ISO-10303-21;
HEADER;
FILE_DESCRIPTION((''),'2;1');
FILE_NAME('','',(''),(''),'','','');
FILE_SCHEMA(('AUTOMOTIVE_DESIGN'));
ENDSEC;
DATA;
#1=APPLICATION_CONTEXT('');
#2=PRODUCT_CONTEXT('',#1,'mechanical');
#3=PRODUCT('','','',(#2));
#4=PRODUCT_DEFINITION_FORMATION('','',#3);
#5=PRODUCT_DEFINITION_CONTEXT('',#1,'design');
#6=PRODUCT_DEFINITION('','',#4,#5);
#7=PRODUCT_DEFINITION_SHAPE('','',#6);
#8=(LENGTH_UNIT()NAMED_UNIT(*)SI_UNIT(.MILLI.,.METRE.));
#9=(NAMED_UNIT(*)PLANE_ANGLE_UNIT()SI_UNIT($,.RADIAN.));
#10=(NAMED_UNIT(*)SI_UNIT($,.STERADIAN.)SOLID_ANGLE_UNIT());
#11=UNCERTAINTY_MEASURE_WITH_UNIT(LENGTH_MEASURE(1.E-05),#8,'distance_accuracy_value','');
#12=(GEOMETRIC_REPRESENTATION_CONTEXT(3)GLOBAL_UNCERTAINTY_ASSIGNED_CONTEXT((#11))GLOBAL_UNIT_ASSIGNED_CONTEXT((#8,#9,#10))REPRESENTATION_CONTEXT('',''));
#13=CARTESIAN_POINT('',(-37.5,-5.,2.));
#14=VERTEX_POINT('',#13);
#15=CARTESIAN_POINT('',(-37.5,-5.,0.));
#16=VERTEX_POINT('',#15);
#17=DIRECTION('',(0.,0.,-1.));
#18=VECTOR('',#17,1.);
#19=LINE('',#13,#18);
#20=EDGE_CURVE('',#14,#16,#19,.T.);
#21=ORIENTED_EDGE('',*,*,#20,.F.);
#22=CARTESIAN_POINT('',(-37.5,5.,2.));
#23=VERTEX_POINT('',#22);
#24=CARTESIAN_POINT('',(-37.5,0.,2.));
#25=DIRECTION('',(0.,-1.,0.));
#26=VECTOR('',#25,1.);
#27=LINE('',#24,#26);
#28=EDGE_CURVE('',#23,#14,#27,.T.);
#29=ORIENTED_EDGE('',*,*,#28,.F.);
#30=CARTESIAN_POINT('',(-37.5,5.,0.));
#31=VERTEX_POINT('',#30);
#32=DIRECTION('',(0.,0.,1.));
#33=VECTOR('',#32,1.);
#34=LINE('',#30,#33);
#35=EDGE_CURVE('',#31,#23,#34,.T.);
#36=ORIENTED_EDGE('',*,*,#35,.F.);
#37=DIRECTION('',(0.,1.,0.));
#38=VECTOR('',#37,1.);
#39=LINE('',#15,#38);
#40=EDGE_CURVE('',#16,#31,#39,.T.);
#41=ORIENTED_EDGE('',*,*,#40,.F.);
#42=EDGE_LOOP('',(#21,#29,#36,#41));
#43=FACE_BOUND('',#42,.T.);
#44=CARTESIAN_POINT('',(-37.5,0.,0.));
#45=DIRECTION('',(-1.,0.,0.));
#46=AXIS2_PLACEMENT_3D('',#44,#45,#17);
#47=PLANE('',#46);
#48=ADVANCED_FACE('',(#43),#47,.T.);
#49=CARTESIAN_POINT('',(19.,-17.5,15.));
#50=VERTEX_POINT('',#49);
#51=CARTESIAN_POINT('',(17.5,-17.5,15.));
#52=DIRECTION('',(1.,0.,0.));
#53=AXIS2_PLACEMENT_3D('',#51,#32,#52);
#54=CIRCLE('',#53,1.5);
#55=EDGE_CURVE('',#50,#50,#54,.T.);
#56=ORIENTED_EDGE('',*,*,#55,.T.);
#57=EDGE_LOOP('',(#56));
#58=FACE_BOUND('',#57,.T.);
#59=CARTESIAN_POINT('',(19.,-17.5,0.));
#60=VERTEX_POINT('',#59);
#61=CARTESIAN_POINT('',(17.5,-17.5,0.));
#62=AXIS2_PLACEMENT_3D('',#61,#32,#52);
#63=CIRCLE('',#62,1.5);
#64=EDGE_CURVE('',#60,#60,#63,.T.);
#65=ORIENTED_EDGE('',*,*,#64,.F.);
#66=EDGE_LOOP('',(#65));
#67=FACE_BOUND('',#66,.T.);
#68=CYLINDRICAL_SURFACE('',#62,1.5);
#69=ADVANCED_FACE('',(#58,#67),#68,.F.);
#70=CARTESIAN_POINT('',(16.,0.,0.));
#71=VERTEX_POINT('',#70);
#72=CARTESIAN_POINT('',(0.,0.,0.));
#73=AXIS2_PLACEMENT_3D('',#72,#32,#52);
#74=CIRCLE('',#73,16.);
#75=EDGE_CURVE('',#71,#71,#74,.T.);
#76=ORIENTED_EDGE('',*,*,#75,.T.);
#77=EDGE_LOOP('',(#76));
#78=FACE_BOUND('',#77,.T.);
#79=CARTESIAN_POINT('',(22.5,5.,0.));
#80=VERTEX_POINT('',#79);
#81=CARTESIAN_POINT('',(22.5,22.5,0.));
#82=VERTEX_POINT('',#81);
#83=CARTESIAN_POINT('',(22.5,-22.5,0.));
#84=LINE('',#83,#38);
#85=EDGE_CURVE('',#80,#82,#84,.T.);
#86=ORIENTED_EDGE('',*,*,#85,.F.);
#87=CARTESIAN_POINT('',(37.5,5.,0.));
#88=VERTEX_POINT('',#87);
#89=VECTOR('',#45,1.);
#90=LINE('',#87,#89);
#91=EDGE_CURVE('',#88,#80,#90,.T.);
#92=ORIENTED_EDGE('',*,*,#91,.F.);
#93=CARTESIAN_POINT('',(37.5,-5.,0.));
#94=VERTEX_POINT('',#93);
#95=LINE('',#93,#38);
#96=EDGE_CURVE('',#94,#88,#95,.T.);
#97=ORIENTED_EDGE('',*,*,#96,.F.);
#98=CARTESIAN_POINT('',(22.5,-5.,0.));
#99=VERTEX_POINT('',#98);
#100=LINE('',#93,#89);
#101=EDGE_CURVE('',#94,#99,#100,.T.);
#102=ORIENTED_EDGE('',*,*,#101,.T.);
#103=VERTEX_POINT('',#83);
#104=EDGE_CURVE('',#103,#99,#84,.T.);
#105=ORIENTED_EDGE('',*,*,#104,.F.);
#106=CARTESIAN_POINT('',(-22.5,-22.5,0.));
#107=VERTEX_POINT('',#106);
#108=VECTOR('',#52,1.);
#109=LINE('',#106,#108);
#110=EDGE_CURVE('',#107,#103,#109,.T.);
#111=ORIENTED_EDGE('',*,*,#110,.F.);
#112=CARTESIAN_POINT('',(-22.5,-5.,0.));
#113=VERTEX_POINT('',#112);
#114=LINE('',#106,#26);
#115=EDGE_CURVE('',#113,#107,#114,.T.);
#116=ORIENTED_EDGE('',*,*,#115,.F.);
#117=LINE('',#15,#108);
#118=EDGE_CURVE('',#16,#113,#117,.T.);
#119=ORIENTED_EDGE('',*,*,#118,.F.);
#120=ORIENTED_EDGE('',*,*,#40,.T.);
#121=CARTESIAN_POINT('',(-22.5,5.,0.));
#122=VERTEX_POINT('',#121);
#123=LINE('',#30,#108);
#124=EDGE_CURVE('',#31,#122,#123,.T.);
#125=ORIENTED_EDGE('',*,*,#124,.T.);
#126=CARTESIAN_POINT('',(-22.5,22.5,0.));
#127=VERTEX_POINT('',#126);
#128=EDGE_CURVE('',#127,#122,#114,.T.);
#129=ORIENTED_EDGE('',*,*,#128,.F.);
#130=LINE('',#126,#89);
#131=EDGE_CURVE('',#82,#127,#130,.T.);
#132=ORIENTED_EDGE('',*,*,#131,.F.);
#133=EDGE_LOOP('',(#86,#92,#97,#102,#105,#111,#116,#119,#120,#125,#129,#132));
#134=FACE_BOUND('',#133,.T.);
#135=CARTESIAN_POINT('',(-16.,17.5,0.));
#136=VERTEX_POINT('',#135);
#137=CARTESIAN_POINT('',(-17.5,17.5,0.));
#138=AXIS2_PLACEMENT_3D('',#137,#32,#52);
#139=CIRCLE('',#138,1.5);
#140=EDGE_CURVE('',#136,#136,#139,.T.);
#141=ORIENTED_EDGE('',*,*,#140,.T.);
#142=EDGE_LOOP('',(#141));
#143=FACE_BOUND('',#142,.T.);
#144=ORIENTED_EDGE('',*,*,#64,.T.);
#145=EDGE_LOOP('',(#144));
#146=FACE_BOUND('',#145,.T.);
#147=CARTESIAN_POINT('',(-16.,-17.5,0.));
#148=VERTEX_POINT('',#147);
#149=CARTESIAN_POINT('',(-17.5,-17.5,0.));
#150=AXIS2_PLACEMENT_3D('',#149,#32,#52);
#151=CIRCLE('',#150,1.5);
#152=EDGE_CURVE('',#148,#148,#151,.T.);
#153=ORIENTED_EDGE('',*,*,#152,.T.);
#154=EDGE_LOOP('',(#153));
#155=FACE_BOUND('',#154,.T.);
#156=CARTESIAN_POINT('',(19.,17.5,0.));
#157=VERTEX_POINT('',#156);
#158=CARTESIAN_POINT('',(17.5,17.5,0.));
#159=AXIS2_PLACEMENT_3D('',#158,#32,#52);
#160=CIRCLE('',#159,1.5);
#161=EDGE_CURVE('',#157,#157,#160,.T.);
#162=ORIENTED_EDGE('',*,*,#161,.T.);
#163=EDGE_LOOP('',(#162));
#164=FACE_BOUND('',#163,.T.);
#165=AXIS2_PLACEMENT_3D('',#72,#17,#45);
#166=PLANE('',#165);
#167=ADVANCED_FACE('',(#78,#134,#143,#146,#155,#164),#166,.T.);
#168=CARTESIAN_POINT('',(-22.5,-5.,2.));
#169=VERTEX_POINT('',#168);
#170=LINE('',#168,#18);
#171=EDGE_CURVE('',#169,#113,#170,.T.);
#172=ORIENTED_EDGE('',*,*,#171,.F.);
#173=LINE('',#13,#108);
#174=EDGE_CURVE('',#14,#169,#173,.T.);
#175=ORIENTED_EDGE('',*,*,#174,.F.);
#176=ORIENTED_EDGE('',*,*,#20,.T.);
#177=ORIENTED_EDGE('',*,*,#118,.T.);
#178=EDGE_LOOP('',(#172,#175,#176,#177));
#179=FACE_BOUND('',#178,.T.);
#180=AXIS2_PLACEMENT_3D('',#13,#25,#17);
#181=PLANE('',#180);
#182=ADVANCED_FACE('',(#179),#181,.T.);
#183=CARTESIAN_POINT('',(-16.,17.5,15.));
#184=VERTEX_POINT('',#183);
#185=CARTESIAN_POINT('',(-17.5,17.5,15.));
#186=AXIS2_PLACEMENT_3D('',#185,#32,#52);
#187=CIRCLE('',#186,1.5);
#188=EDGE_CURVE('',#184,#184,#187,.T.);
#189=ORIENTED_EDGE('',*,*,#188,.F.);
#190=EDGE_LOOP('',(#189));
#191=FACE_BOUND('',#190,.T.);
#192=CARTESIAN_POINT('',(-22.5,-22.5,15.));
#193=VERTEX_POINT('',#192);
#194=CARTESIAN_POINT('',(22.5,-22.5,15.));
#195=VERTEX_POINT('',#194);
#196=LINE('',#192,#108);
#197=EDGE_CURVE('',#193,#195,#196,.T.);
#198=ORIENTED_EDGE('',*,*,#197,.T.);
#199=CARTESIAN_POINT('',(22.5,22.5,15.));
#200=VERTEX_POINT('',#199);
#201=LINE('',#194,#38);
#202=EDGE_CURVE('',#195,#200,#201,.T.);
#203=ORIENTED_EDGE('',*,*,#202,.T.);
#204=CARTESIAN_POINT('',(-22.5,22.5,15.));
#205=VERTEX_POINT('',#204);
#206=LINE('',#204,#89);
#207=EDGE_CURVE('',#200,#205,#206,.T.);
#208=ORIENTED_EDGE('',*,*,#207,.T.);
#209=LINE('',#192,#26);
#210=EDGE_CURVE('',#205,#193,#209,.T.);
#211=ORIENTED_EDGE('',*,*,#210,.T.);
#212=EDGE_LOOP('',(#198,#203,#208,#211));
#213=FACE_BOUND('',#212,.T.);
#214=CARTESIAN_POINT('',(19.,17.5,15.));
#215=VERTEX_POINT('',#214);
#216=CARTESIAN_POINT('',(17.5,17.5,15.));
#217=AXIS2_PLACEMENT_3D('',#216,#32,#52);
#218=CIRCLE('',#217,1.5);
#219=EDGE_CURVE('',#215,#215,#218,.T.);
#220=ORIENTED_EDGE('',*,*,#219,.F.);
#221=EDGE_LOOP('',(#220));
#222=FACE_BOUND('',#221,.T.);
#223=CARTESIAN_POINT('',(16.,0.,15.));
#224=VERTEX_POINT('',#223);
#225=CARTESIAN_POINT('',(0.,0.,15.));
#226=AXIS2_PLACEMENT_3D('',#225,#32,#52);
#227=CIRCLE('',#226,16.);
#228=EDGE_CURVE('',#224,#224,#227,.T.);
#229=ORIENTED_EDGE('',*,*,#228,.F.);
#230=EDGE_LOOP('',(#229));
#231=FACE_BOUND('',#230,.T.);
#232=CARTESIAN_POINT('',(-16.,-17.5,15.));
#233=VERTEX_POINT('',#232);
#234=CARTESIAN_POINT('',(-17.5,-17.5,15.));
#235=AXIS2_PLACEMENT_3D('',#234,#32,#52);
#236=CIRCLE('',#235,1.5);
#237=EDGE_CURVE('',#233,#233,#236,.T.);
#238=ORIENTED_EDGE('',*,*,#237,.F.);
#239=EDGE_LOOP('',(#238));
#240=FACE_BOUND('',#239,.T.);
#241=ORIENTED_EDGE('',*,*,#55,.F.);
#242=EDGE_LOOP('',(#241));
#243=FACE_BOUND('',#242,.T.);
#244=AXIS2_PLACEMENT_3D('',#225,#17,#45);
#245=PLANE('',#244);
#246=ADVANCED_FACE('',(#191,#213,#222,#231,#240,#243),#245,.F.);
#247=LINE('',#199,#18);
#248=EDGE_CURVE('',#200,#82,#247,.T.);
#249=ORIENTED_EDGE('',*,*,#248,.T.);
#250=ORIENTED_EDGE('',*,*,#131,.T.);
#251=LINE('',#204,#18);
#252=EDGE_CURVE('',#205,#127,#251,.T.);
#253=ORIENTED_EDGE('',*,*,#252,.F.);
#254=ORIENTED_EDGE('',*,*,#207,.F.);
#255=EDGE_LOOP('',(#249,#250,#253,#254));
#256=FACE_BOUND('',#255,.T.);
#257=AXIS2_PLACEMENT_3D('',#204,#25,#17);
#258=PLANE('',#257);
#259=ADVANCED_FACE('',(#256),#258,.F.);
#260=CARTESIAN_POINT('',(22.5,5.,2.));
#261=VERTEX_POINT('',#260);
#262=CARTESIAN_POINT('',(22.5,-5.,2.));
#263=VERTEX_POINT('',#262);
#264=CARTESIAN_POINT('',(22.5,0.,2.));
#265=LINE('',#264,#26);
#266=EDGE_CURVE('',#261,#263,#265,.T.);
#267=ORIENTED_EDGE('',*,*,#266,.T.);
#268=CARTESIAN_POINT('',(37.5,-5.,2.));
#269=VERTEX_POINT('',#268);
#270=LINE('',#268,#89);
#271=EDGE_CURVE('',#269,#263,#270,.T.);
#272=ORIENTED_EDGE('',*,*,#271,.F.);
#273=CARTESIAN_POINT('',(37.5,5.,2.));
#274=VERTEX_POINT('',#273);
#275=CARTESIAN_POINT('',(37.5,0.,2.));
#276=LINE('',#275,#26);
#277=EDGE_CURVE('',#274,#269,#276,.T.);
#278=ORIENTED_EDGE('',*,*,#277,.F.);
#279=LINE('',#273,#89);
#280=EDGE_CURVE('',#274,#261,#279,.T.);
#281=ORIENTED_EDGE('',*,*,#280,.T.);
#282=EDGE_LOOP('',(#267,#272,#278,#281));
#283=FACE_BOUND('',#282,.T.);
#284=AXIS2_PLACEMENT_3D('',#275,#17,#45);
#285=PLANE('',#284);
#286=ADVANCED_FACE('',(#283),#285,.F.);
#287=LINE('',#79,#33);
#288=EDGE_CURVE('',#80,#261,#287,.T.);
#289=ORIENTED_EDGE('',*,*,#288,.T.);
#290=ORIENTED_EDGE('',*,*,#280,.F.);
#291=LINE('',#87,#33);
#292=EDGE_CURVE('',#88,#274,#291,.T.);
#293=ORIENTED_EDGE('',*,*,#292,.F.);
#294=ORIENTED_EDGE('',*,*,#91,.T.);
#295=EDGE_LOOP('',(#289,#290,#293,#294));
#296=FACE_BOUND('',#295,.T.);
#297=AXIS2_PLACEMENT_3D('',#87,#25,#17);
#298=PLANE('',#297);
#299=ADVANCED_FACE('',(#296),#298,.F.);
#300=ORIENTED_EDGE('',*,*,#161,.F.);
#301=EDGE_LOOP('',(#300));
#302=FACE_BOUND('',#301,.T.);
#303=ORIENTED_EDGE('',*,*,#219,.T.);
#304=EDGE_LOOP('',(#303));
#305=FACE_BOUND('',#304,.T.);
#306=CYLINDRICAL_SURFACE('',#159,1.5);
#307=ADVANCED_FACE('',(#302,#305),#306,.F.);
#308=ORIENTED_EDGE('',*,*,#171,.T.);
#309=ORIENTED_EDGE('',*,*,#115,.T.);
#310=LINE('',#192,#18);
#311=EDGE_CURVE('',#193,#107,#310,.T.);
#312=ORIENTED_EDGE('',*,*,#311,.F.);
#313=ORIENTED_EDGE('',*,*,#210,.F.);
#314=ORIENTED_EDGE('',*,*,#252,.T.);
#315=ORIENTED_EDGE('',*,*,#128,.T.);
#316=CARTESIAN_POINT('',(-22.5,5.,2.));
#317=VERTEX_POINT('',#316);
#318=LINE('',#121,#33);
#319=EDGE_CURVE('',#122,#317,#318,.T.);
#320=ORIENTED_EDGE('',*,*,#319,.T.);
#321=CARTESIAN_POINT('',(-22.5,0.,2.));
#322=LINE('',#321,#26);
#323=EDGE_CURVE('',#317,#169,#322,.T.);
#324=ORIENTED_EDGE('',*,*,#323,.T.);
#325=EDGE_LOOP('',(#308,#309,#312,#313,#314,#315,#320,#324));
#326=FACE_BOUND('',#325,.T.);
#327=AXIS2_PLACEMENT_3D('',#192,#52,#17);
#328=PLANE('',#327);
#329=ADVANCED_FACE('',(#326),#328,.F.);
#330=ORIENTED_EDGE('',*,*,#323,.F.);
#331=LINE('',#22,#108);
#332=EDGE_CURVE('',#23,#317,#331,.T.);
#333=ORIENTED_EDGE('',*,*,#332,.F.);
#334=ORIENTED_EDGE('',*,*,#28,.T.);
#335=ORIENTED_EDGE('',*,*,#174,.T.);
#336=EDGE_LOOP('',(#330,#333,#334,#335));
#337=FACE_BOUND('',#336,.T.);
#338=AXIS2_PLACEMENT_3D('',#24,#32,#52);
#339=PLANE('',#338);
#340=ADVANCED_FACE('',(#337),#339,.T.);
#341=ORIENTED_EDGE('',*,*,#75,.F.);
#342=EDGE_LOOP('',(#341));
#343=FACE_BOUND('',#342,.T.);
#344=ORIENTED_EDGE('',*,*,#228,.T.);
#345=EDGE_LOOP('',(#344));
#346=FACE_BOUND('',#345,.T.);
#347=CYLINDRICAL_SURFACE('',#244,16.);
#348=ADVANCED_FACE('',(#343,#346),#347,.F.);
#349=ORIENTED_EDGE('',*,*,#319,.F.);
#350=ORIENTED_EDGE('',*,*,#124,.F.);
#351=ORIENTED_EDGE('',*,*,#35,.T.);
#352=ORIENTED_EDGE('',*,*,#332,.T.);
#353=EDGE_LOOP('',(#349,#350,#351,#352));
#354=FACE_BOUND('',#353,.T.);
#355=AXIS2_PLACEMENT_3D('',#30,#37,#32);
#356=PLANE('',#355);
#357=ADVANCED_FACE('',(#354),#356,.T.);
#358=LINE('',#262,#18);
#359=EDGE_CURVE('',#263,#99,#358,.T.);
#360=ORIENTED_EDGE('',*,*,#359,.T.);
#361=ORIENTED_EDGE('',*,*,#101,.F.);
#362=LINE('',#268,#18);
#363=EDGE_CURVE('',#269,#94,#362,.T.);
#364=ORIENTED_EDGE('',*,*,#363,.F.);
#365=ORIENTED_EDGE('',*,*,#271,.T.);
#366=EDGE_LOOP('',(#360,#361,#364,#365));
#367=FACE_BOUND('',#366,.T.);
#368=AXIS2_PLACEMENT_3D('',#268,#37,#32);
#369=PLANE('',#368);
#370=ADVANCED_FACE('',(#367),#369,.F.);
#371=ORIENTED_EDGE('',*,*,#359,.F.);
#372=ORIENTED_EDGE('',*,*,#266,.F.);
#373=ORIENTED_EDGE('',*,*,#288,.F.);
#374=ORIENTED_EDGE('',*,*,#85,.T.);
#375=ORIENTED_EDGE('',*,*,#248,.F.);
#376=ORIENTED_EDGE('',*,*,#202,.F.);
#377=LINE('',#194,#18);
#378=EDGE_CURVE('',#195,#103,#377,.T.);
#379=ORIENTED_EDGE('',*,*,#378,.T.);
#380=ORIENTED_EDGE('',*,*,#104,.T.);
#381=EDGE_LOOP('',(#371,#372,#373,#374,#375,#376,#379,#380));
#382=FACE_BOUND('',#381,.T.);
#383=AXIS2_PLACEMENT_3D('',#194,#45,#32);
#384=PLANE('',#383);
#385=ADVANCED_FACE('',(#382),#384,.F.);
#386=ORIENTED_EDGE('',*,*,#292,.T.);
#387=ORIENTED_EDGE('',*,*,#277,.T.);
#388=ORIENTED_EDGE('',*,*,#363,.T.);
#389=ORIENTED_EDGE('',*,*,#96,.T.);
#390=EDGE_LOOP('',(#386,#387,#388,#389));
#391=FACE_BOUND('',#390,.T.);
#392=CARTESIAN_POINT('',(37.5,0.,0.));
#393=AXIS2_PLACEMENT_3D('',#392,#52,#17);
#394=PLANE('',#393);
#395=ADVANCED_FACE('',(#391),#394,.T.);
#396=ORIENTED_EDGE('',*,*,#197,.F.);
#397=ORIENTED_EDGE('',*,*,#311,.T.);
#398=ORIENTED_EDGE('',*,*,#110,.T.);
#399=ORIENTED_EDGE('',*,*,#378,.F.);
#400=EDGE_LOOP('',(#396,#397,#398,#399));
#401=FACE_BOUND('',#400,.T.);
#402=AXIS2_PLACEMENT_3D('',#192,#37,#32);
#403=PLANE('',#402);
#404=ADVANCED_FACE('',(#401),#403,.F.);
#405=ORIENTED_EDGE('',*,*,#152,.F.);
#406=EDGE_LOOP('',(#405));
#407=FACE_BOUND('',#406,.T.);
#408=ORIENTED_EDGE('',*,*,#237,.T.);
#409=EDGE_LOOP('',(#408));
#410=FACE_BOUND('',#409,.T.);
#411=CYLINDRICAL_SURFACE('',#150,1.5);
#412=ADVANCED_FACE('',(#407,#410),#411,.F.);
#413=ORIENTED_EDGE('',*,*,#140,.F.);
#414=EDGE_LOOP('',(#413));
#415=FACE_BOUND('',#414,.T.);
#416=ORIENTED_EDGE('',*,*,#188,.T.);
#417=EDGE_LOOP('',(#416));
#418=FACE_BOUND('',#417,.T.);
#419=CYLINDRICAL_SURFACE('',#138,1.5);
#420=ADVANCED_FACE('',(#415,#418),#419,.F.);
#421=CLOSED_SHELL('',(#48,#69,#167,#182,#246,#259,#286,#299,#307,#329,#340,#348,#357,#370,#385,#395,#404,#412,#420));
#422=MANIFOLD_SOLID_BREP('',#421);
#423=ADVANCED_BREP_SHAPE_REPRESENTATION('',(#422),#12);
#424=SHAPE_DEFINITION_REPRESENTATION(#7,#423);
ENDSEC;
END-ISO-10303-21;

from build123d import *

# Parameters (mm, degrees)
CROQUIS1_W              = 45
CROQUIS1_H              = 45
CROQUIS1_R              = 16
SALIENTE_EXTRUIR1_DEPTH = 15
CROQUIS2_R              = 1.5
CORTAR_EXTRUIR1_DEPTH   = 15
SALIENTE_EXTRUIR2_DEPTH = 15


with BuildPart() as part:
    # Croquis1 → Saliente-Extruir1 (new body)
    with BuildSketch(Plane.XY):
        Rectangle(CROQUIS1_W, CROQUIS1_H)
        Circle(CROQUIS1_R, mode=Mode.SUBTRACT)
    extrude(amount=SALIENTE_EXTRUIR1_DEPTH)

    # Croquis2 → Cortar-Extruir1 (cut)
    with BuildSketch(Plane.XY.offset(15)):
        with Locations((-17.5, 17.5)):
            Circle(CROQUIS2_R)
        with Locations((17.5, -17.5)):
            Circle(CROQUIS2_R)
        with Locations((-17.5, -17.5)):
            Circle(CROQUIS2_R)
        with Locations((17.5, 17.5)):
            Circle(CROQUIS2_R)
    extrude(amount=-CORTAR_EXTRUIR1_DEPTH, mode=Mode.SUBTRACT)

    # Croquis3 → Saliente-Extruir2 (add)
    with BuildSketch(Plane(origin=(22.5, 0, 0), x_dir=(0, 0, -1), z_dir=(1, 0, 0))):
        Polygon((-2, 0), (-2, 5), (0, 5), (0, -5), (-2, -5), align=None)
    saliente_extruir2 = extrude(amount=SALIENTE_EXTRUIR2_DEPTH)

    # Simetría1: Saliente-Extruir2 across plane
    add(saliente_extruir2.mirror(Plane(origin=(0, 0, 0), x_dir=(0, 0, 1), z_dir=(1, 0, 0))))


solid = part.part
